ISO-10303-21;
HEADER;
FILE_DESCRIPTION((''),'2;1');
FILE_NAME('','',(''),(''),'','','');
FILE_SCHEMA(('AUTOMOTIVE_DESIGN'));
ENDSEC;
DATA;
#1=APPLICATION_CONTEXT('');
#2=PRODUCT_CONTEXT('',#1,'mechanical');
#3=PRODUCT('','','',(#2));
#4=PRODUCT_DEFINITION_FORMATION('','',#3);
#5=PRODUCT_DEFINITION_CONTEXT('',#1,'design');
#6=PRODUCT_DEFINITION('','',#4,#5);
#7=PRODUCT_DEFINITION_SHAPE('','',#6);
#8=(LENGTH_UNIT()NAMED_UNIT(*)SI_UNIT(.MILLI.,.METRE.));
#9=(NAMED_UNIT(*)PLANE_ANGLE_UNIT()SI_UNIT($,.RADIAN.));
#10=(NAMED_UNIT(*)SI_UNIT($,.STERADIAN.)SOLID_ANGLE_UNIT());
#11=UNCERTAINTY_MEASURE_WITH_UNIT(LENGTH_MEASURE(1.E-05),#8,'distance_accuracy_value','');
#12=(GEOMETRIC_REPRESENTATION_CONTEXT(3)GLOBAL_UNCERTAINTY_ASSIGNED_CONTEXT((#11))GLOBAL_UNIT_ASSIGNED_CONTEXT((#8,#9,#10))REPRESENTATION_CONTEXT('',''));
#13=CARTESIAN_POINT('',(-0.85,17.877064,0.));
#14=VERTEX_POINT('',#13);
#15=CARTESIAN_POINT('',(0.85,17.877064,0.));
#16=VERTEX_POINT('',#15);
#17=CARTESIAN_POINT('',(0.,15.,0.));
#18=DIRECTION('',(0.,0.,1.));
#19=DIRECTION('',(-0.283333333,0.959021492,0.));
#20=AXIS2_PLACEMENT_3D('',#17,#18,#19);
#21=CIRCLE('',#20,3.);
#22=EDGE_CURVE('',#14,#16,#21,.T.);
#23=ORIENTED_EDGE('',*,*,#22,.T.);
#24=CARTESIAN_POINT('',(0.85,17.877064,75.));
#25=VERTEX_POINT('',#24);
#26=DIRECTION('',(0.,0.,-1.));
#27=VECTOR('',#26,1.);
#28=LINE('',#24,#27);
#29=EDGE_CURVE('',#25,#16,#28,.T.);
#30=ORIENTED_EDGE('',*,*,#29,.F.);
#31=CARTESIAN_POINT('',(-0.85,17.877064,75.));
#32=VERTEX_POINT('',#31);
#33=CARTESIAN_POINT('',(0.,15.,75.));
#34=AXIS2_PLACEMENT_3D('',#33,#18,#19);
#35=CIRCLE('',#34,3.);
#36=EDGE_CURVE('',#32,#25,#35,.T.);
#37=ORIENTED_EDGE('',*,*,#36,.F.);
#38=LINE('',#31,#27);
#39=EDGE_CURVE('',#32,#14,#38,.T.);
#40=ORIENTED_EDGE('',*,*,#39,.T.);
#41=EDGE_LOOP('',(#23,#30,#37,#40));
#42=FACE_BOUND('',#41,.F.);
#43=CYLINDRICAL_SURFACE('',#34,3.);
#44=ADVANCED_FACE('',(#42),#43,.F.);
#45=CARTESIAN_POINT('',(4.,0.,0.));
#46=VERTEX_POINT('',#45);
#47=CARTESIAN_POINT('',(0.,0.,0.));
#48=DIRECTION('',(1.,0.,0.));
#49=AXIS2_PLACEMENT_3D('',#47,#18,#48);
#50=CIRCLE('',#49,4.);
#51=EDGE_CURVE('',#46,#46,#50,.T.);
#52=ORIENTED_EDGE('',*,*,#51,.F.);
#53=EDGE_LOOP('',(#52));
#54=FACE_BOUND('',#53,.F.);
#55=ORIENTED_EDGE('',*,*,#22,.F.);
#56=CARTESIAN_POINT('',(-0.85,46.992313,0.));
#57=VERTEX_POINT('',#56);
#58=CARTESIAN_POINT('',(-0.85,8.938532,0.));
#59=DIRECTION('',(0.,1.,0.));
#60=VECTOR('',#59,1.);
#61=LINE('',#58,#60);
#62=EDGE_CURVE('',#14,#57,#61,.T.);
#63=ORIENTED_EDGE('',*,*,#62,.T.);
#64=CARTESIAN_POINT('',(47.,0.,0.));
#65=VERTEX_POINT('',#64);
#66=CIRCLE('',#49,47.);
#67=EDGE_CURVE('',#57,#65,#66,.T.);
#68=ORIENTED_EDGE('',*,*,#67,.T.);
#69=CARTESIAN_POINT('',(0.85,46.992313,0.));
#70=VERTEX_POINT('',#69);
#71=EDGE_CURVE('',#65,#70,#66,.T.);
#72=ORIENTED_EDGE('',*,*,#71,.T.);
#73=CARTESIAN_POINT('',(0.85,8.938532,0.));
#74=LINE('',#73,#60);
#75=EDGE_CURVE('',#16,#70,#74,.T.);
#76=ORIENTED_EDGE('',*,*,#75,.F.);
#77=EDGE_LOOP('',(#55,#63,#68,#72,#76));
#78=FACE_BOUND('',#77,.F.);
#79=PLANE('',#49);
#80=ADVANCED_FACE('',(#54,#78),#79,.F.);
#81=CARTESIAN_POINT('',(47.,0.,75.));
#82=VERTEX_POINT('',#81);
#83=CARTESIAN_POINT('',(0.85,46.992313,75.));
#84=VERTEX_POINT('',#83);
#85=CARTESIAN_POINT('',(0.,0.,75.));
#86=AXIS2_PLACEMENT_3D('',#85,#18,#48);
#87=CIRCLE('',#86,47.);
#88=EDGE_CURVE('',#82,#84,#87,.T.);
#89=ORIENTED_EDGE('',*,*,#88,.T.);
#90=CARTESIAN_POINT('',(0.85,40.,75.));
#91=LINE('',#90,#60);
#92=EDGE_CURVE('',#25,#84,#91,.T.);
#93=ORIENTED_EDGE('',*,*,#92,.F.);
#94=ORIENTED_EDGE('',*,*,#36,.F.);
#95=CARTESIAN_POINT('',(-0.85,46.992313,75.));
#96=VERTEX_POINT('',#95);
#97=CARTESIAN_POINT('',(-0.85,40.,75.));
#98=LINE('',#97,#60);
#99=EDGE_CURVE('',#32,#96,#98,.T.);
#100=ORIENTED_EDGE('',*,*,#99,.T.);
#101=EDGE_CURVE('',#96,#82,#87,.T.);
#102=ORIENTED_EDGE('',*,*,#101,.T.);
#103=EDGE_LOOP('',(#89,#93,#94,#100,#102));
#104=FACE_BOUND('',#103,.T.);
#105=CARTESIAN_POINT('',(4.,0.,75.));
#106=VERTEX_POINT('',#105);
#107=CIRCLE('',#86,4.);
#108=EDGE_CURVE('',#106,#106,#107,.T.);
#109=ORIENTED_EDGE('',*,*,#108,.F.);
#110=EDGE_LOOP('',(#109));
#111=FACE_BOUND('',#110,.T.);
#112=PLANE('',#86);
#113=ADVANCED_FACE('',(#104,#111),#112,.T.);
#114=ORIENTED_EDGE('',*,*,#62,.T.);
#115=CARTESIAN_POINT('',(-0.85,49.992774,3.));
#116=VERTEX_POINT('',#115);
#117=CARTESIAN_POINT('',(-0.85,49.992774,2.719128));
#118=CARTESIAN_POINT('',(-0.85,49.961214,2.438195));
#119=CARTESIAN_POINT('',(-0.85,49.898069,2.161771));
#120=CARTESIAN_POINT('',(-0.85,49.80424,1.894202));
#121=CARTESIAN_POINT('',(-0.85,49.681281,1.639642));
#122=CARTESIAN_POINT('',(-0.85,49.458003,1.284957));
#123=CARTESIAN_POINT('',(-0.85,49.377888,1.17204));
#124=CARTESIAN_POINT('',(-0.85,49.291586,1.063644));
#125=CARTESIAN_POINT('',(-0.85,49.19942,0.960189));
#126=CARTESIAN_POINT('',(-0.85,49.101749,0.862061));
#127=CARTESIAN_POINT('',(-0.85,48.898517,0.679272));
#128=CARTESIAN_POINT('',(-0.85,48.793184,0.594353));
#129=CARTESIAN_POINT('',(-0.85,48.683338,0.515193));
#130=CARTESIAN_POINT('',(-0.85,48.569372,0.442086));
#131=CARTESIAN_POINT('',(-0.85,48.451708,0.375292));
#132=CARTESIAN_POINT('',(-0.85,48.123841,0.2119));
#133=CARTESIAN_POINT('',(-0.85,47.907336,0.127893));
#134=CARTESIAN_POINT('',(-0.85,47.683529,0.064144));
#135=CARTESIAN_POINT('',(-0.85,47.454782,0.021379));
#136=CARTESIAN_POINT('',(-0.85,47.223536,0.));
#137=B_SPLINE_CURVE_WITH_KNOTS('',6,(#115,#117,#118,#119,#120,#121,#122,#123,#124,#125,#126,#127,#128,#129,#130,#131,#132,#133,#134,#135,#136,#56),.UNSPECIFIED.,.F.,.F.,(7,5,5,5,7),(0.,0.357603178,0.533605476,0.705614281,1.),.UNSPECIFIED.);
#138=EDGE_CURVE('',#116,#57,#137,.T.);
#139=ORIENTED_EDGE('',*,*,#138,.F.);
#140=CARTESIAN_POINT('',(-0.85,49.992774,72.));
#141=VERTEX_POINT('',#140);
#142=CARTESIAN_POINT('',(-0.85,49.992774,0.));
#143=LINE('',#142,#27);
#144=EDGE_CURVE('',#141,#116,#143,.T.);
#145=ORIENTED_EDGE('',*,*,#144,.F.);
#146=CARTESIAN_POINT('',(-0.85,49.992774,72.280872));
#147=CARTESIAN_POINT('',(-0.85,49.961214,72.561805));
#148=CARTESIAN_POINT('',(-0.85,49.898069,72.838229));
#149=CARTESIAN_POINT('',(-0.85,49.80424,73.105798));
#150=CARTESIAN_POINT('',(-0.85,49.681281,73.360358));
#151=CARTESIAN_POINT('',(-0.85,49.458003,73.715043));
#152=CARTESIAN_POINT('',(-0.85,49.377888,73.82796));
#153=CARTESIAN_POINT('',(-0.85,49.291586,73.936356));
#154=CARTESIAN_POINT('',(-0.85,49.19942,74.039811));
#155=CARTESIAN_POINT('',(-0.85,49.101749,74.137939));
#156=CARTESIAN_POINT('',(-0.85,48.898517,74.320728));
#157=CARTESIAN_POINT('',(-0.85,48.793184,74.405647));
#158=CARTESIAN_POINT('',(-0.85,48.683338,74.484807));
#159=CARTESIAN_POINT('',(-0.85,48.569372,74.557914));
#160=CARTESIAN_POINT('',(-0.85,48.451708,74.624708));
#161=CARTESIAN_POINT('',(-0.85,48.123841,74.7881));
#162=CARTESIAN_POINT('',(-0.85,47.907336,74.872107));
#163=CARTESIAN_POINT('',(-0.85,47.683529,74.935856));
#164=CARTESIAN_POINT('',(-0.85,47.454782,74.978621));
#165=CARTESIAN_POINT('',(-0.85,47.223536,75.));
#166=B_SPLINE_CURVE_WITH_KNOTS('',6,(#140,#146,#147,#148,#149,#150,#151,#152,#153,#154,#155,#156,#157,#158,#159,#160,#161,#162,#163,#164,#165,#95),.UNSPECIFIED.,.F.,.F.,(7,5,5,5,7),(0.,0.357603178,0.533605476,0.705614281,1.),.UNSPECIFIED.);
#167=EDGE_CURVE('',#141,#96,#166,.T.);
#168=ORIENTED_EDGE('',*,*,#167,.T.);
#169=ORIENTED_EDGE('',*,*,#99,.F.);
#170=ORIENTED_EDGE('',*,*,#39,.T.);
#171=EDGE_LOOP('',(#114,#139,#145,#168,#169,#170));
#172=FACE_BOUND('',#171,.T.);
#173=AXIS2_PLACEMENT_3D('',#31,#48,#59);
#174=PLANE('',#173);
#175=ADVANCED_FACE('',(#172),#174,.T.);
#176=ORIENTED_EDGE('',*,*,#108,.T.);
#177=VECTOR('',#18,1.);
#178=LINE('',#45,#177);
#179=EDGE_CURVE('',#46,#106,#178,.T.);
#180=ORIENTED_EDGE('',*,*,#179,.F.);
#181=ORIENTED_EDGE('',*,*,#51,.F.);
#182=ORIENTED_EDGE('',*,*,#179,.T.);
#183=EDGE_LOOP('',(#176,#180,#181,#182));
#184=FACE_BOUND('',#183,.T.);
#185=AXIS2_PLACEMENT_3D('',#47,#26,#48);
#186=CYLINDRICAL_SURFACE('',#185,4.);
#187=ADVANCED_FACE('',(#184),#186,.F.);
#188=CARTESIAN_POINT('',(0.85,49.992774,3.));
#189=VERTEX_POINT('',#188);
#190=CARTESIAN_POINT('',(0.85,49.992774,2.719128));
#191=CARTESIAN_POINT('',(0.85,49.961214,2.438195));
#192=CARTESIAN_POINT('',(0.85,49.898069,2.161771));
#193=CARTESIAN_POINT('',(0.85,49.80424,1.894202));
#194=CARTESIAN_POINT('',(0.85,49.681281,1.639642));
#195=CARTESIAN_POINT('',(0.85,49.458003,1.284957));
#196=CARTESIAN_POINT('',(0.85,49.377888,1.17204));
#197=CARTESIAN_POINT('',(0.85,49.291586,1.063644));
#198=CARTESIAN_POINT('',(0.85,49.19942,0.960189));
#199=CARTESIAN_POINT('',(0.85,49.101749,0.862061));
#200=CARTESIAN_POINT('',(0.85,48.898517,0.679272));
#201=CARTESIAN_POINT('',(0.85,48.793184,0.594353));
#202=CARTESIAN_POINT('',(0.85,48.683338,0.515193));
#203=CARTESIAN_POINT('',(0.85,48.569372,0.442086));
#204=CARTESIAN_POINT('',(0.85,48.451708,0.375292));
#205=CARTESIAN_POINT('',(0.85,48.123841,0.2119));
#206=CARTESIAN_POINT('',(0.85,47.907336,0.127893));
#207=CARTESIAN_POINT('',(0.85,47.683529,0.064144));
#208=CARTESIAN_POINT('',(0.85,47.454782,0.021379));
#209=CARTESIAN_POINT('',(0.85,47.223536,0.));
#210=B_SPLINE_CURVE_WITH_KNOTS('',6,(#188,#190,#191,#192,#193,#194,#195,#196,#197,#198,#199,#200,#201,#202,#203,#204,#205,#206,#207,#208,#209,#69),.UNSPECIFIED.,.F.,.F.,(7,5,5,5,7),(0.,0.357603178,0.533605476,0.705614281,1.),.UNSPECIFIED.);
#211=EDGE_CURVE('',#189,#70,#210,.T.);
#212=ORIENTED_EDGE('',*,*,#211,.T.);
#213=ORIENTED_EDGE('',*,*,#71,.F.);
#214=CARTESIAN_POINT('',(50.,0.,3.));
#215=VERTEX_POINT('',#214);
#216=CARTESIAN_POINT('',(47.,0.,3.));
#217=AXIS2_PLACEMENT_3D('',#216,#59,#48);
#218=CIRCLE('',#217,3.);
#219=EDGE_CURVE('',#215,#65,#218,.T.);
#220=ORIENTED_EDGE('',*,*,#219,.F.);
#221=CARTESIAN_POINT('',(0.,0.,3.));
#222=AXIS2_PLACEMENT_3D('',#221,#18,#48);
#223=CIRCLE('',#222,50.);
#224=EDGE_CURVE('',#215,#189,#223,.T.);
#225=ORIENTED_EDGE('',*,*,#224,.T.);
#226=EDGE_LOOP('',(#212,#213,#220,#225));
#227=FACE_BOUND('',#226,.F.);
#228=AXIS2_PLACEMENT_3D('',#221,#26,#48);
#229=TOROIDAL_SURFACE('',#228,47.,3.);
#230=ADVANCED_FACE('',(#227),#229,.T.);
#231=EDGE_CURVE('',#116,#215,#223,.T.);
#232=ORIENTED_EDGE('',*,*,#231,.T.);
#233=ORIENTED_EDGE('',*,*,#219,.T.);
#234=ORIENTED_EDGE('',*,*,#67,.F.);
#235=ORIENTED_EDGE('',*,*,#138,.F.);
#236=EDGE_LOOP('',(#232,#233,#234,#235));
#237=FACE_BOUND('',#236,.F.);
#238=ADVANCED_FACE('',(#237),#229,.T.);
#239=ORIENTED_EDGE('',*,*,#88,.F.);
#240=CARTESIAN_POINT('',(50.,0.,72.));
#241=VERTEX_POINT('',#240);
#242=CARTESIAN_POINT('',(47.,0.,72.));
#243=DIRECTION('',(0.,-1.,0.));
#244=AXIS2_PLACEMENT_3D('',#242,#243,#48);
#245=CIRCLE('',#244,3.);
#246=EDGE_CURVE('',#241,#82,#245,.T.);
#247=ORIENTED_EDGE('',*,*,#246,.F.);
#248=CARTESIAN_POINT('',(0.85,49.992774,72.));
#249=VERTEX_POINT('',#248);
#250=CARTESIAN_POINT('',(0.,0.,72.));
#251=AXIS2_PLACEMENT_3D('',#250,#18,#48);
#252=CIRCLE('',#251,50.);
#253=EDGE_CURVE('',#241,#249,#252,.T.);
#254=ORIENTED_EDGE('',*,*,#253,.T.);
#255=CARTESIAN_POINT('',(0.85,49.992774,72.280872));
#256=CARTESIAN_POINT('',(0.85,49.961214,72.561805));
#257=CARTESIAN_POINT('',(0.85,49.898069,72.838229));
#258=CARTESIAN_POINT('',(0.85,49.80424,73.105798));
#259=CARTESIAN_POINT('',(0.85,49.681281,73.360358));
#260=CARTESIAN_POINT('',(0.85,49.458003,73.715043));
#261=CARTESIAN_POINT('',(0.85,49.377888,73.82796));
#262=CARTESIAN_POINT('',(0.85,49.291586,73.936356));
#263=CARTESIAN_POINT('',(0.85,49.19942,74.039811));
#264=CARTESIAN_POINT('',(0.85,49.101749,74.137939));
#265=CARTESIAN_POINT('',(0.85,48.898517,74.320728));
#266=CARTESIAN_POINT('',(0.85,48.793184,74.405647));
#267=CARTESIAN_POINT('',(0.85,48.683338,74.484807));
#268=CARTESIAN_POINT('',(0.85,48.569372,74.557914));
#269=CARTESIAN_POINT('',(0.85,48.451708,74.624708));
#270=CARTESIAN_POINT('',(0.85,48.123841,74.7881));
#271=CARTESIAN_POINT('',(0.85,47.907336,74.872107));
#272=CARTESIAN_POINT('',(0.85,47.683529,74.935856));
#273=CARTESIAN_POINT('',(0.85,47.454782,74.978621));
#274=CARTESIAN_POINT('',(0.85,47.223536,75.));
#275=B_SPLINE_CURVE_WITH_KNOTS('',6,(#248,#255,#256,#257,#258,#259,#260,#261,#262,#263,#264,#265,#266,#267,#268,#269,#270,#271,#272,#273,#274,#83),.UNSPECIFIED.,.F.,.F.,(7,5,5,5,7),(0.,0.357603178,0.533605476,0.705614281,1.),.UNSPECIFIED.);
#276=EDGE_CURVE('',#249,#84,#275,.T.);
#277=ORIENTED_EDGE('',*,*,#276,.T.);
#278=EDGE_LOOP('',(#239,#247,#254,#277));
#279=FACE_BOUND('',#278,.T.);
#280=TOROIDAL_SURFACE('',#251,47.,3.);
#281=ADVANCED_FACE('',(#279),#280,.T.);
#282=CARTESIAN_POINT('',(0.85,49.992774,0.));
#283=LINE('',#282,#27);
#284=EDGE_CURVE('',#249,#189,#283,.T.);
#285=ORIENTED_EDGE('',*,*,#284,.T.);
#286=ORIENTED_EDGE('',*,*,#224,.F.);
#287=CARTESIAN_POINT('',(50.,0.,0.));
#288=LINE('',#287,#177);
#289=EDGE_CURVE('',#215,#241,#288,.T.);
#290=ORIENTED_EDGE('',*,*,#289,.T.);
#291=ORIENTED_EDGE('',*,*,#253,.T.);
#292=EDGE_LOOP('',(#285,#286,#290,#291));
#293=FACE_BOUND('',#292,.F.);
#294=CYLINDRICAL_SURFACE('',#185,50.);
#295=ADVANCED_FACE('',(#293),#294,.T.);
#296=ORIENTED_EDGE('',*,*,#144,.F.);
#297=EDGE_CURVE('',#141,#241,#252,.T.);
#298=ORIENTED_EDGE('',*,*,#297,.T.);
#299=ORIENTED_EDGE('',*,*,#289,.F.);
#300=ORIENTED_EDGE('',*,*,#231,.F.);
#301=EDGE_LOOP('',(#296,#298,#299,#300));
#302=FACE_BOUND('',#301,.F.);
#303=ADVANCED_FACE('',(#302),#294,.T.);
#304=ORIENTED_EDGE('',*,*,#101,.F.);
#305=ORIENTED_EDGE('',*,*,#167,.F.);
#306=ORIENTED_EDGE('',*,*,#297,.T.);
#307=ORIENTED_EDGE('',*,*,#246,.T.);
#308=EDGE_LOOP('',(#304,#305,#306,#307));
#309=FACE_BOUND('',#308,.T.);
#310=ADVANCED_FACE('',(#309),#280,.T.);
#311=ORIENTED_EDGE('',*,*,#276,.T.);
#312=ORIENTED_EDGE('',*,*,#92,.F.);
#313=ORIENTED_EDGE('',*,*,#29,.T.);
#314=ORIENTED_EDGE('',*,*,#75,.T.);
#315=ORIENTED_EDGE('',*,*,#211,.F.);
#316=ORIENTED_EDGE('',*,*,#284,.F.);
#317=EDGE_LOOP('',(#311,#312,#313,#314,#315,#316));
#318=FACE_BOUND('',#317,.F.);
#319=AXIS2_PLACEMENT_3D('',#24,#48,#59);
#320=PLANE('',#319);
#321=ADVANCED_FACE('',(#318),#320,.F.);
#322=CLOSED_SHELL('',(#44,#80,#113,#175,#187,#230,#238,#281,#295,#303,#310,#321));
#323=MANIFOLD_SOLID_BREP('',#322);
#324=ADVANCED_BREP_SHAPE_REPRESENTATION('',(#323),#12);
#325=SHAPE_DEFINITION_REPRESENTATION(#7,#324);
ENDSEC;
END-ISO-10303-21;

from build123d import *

# Parameters (mm, degrees)
SKETCH_R     = 50
SKETCH_R_2   = 4
PAD_DEPTH    = 75
FILLET_R     = 3
SKETCH001_R  = 3
SKETCH001_W  = 1.7
SKETCH001_H  = 50
POCKET_DEPTH = 75.001


with BuildPart() as part:
    # Sketch → Pad (new body)
    with BuildSketch(Plane.XY):
        Circle(SKETCH_R)
        Circle(SKETCH_R_2, mode=Mode.SUBTRACT)
    extrude(amount=PAD_DEPTH)

    # Fillet
    fillet_edges = [part.edges().sort_by_distance(p)[0] for p in [
        (-50, 0, 0),
        (-50, 0, 75),
    ]]
    fillet(fillet_edges, radius=FILLET_R)

    # Sketch001 (on Face5 of Fillet) → Pocket (cut, through all)
    with BuildSketch(Plane.XY.offset(75)):
        with Locations((0, 15)):
            Circle(SKETCH001_R)
        with Locations((0, 40)):
            Rectangle(SKETCH001_W, SKETCH001_H)
    extrude(amount=-POCKET_DEPTH, mode=Mode.SUBTRACT)


solid = part.part
